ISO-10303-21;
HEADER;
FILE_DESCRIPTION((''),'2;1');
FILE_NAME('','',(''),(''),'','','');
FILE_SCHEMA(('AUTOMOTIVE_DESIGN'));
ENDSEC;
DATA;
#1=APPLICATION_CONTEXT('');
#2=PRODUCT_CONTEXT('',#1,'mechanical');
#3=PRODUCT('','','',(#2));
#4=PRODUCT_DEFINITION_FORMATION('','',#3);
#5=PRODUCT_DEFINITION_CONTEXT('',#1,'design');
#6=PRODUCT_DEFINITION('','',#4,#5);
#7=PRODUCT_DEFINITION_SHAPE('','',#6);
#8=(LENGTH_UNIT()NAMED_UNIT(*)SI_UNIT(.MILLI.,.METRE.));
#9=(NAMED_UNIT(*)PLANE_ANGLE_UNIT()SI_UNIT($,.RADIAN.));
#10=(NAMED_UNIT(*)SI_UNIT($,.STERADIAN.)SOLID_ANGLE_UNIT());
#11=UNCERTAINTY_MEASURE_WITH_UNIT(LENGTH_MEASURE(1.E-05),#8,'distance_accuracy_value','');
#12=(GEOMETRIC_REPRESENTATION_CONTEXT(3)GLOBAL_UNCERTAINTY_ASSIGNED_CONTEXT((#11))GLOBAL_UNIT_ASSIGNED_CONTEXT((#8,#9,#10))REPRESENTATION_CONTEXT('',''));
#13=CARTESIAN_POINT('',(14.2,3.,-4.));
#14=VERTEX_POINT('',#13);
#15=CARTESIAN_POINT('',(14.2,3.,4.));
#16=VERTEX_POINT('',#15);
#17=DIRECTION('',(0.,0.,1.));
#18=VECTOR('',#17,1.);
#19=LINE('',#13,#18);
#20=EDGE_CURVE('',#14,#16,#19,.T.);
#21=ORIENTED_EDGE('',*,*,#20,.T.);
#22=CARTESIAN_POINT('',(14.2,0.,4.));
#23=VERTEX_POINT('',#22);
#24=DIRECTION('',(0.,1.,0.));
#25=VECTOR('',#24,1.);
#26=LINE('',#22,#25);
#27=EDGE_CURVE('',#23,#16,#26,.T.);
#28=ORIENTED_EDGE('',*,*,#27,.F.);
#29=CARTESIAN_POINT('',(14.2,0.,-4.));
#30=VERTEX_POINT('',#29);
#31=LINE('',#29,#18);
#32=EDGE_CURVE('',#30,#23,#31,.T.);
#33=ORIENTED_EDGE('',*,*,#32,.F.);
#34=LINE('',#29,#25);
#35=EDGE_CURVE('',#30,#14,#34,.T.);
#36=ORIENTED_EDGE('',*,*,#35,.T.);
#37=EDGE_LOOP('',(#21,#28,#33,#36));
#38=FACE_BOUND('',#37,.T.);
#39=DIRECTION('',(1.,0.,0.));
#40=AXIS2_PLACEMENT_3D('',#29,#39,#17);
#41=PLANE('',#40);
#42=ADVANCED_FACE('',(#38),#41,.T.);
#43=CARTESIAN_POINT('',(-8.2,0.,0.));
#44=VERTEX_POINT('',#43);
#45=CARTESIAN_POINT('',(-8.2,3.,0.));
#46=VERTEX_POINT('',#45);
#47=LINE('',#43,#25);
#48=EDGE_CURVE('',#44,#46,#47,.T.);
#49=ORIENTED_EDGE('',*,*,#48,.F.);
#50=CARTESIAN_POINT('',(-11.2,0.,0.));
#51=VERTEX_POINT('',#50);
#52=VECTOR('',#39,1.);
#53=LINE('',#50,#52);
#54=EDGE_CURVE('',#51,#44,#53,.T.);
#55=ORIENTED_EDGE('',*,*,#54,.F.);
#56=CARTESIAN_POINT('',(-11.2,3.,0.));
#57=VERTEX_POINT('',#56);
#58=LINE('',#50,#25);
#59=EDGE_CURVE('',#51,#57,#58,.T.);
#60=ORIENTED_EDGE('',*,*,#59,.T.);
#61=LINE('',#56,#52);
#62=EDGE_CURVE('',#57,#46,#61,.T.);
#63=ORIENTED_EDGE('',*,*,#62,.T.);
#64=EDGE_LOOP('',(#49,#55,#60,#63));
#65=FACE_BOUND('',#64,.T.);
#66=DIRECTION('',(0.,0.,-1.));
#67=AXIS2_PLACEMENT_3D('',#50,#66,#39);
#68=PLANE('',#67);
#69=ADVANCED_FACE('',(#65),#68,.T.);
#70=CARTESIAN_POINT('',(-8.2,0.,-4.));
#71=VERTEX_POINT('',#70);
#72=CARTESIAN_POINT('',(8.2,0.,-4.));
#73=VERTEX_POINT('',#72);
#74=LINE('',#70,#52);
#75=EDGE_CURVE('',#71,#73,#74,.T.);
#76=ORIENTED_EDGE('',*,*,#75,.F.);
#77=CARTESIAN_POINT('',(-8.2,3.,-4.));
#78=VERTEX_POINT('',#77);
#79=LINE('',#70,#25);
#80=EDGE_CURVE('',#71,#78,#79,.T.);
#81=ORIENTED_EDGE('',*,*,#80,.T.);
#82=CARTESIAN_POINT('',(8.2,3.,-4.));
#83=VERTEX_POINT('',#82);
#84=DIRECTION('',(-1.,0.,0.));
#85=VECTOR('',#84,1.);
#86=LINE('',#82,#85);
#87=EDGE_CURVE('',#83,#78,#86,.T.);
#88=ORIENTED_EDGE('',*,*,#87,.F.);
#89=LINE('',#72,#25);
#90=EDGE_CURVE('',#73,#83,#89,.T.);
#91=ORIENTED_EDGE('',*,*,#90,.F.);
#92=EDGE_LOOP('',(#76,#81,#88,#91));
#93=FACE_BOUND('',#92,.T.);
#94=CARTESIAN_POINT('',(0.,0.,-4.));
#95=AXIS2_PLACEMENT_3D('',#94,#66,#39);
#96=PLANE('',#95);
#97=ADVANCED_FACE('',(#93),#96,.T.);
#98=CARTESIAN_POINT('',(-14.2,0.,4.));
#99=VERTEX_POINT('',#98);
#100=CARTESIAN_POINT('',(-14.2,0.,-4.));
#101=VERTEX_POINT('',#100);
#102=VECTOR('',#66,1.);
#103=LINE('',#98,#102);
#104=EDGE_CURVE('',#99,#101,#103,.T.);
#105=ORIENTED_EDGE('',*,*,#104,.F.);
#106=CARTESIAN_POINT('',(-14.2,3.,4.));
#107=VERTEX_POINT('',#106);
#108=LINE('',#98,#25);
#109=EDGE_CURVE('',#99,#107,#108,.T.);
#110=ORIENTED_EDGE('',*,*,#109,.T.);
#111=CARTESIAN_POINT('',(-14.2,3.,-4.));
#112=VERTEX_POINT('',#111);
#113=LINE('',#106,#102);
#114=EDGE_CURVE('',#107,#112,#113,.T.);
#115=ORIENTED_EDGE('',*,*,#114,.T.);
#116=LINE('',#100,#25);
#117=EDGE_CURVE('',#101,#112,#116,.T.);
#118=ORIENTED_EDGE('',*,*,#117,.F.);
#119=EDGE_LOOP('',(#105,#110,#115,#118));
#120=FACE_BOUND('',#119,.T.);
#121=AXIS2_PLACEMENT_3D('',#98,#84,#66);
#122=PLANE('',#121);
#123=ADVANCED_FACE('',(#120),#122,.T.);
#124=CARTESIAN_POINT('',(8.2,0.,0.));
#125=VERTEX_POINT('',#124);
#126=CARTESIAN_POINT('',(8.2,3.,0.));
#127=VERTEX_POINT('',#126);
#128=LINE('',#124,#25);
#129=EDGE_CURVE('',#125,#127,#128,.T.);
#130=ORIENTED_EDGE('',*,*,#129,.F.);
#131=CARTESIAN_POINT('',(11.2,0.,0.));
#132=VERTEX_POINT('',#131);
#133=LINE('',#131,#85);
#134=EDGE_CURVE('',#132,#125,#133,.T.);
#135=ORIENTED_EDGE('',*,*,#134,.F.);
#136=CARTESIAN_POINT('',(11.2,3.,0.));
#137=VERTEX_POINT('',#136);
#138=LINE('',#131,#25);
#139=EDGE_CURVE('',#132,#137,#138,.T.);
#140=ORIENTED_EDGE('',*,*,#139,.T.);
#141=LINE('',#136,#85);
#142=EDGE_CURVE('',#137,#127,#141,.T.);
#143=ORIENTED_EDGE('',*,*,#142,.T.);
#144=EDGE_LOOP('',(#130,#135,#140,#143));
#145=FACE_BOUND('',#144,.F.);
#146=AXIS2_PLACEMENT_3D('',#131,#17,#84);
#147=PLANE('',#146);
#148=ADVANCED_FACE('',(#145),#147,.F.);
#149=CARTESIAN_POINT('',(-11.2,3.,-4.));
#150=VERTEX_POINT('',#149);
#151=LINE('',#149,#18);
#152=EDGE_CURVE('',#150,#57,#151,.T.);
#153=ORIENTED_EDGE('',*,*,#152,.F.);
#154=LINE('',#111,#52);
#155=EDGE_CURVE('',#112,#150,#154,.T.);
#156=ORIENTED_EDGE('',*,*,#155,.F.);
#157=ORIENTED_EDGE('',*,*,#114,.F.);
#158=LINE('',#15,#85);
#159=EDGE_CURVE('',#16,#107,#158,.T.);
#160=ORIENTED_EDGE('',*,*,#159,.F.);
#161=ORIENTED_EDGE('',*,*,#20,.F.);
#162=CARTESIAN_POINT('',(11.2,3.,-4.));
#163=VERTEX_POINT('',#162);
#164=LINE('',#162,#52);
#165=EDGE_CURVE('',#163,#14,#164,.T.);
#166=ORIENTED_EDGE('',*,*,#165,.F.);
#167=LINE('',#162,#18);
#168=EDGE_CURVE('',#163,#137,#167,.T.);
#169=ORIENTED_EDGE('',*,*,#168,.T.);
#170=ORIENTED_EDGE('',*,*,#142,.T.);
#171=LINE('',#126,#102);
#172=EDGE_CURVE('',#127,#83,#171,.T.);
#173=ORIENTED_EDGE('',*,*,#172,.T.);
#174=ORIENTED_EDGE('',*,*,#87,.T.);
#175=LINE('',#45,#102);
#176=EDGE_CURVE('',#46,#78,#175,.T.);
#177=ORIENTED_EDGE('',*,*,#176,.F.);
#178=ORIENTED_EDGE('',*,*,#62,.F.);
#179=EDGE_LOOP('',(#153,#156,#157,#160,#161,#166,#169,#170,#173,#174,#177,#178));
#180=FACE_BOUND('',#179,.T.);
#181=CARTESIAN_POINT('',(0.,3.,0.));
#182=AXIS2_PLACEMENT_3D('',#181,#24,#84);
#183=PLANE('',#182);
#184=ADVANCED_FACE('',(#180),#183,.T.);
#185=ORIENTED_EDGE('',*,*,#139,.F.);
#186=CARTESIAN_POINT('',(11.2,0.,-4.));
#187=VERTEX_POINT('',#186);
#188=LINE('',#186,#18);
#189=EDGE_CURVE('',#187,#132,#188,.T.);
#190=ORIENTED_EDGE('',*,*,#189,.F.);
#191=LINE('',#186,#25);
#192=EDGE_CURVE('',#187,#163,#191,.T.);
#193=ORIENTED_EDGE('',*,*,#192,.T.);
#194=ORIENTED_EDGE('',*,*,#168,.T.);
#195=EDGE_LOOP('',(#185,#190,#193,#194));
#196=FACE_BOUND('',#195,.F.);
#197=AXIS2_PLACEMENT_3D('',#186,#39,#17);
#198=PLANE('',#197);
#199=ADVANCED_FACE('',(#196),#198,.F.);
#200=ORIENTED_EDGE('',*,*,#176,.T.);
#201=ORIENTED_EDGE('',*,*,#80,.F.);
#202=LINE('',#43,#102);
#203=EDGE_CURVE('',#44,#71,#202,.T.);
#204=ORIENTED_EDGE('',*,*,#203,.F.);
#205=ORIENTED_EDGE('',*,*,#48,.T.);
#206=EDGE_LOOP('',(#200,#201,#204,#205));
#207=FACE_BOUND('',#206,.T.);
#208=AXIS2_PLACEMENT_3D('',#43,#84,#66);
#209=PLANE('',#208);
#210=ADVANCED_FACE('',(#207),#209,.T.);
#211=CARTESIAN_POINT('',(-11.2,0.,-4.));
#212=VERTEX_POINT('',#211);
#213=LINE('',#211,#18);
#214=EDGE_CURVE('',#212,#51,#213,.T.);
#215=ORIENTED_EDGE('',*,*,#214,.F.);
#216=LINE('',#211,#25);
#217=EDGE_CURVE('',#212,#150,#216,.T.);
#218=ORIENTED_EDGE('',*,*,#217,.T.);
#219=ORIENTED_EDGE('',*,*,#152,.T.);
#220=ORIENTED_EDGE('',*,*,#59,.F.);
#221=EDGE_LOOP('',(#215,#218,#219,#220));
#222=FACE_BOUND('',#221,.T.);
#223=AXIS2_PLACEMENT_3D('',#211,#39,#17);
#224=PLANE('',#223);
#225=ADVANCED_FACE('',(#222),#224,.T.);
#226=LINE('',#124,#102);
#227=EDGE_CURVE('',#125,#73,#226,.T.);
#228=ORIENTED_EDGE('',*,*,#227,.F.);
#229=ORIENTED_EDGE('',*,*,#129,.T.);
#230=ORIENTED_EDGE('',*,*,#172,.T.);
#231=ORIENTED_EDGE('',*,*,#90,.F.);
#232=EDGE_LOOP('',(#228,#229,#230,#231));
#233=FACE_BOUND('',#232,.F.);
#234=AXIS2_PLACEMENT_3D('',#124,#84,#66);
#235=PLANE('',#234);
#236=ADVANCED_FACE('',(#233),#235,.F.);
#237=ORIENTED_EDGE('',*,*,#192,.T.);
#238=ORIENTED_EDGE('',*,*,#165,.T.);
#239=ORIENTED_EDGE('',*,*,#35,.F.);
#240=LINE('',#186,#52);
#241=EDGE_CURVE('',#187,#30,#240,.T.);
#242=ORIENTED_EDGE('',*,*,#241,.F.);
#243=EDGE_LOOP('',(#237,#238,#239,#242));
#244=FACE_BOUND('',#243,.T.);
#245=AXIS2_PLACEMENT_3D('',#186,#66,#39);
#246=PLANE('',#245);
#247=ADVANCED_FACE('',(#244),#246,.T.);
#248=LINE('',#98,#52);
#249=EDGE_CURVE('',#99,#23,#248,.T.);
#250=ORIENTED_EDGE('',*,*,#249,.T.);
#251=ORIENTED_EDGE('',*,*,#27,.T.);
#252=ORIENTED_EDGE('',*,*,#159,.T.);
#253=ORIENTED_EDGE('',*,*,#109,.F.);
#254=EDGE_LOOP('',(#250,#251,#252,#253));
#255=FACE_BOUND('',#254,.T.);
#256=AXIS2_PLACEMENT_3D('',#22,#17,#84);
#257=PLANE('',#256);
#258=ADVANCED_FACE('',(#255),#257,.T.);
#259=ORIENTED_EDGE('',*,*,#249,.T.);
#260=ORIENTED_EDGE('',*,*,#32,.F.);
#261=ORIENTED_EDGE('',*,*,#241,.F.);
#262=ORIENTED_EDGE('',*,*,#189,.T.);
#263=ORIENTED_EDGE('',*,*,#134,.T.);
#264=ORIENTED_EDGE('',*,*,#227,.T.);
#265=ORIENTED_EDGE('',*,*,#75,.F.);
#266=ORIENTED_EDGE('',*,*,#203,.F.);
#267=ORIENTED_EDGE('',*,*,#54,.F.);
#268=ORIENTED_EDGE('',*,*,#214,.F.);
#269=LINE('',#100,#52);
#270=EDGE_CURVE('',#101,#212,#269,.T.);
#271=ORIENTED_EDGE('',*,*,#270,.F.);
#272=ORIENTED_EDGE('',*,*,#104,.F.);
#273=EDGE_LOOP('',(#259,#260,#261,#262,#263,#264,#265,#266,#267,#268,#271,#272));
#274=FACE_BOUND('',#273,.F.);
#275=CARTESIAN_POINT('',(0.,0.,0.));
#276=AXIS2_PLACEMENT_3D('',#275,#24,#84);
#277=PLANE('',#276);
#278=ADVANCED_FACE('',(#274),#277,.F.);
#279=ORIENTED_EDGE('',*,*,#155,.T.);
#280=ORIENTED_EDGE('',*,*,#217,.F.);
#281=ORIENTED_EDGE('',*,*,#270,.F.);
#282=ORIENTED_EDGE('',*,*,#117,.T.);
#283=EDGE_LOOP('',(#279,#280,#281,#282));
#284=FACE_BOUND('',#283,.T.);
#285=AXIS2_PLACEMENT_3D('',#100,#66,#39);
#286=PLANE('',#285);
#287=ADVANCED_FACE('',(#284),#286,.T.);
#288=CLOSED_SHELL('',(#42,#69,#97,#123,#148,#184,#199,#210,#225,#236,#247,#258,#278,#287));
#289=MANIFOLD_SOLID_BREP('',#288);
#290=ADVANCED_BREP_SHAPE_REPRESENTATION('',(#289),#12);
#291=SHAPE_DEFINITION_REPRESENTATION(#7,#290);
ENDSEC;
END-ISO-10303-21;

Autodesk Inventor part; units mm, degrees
ref_plane "YZ Plane" through (0, 0, 0) normal (1, 0, 0) x (0, 1, 0)
ref_plane "XZ Plane" through (0, 0, 0) normal (0, 1, 0) x (-1, 0, 0)
ref_plane "XY Plane" through (0, 0, 0) normal (0, 0, 1) x (1, 0, 0)
sketch "草圖1" plane through (0, 0, 0) normal (0, 1, 0) x (-1, 0, 0)
  line L0 (-14.2, 4) -> (14.2, 4)
  line L1 (14.2, 4) -> (14.2, -4)
  line L2 (-14.2, -4) -> (-14.2, 4)
  line L3 (-14.2, 4) -> (14.2, -4) construction
  line L4 (14.2, 4) -> (-14.2, -4) construction
  line L5 (-11.2, -4) -> (-11.2, 0)
  line L6 (-11.2, 0) -> (-8.2, 0)
  line L7 (-8.2, 0) -> (-8.2, -4)
  line L8 (0, 7.3969) -> (0, -7.2649)
  line L9 (11.2, -4) -> (11.2, 0)
  line L10 (11.2, 0) -> (8.2, 0)
  line L11 (8.2, 0) -> (8.2, -4)
  line L12 (14.2, -4) -> (11.2, -4)
  line L13 (8.2, -4) -> (-8.2, -4)
  line L14 (-11.2, -4) -> (-14.2, -4)
  point P0 (0, 0)
  dimension "d0" = 4
  dimension "d1" = 8
  dimension "d2" = 16.4
  dimension "d3" = 3
  dimension "d5" = 28.4
extrude "擠出1" add sketch "草圖1" along normal blind 3
equation "\"d5\" = d2 + 4 * d3"
properties part number "upper support"
